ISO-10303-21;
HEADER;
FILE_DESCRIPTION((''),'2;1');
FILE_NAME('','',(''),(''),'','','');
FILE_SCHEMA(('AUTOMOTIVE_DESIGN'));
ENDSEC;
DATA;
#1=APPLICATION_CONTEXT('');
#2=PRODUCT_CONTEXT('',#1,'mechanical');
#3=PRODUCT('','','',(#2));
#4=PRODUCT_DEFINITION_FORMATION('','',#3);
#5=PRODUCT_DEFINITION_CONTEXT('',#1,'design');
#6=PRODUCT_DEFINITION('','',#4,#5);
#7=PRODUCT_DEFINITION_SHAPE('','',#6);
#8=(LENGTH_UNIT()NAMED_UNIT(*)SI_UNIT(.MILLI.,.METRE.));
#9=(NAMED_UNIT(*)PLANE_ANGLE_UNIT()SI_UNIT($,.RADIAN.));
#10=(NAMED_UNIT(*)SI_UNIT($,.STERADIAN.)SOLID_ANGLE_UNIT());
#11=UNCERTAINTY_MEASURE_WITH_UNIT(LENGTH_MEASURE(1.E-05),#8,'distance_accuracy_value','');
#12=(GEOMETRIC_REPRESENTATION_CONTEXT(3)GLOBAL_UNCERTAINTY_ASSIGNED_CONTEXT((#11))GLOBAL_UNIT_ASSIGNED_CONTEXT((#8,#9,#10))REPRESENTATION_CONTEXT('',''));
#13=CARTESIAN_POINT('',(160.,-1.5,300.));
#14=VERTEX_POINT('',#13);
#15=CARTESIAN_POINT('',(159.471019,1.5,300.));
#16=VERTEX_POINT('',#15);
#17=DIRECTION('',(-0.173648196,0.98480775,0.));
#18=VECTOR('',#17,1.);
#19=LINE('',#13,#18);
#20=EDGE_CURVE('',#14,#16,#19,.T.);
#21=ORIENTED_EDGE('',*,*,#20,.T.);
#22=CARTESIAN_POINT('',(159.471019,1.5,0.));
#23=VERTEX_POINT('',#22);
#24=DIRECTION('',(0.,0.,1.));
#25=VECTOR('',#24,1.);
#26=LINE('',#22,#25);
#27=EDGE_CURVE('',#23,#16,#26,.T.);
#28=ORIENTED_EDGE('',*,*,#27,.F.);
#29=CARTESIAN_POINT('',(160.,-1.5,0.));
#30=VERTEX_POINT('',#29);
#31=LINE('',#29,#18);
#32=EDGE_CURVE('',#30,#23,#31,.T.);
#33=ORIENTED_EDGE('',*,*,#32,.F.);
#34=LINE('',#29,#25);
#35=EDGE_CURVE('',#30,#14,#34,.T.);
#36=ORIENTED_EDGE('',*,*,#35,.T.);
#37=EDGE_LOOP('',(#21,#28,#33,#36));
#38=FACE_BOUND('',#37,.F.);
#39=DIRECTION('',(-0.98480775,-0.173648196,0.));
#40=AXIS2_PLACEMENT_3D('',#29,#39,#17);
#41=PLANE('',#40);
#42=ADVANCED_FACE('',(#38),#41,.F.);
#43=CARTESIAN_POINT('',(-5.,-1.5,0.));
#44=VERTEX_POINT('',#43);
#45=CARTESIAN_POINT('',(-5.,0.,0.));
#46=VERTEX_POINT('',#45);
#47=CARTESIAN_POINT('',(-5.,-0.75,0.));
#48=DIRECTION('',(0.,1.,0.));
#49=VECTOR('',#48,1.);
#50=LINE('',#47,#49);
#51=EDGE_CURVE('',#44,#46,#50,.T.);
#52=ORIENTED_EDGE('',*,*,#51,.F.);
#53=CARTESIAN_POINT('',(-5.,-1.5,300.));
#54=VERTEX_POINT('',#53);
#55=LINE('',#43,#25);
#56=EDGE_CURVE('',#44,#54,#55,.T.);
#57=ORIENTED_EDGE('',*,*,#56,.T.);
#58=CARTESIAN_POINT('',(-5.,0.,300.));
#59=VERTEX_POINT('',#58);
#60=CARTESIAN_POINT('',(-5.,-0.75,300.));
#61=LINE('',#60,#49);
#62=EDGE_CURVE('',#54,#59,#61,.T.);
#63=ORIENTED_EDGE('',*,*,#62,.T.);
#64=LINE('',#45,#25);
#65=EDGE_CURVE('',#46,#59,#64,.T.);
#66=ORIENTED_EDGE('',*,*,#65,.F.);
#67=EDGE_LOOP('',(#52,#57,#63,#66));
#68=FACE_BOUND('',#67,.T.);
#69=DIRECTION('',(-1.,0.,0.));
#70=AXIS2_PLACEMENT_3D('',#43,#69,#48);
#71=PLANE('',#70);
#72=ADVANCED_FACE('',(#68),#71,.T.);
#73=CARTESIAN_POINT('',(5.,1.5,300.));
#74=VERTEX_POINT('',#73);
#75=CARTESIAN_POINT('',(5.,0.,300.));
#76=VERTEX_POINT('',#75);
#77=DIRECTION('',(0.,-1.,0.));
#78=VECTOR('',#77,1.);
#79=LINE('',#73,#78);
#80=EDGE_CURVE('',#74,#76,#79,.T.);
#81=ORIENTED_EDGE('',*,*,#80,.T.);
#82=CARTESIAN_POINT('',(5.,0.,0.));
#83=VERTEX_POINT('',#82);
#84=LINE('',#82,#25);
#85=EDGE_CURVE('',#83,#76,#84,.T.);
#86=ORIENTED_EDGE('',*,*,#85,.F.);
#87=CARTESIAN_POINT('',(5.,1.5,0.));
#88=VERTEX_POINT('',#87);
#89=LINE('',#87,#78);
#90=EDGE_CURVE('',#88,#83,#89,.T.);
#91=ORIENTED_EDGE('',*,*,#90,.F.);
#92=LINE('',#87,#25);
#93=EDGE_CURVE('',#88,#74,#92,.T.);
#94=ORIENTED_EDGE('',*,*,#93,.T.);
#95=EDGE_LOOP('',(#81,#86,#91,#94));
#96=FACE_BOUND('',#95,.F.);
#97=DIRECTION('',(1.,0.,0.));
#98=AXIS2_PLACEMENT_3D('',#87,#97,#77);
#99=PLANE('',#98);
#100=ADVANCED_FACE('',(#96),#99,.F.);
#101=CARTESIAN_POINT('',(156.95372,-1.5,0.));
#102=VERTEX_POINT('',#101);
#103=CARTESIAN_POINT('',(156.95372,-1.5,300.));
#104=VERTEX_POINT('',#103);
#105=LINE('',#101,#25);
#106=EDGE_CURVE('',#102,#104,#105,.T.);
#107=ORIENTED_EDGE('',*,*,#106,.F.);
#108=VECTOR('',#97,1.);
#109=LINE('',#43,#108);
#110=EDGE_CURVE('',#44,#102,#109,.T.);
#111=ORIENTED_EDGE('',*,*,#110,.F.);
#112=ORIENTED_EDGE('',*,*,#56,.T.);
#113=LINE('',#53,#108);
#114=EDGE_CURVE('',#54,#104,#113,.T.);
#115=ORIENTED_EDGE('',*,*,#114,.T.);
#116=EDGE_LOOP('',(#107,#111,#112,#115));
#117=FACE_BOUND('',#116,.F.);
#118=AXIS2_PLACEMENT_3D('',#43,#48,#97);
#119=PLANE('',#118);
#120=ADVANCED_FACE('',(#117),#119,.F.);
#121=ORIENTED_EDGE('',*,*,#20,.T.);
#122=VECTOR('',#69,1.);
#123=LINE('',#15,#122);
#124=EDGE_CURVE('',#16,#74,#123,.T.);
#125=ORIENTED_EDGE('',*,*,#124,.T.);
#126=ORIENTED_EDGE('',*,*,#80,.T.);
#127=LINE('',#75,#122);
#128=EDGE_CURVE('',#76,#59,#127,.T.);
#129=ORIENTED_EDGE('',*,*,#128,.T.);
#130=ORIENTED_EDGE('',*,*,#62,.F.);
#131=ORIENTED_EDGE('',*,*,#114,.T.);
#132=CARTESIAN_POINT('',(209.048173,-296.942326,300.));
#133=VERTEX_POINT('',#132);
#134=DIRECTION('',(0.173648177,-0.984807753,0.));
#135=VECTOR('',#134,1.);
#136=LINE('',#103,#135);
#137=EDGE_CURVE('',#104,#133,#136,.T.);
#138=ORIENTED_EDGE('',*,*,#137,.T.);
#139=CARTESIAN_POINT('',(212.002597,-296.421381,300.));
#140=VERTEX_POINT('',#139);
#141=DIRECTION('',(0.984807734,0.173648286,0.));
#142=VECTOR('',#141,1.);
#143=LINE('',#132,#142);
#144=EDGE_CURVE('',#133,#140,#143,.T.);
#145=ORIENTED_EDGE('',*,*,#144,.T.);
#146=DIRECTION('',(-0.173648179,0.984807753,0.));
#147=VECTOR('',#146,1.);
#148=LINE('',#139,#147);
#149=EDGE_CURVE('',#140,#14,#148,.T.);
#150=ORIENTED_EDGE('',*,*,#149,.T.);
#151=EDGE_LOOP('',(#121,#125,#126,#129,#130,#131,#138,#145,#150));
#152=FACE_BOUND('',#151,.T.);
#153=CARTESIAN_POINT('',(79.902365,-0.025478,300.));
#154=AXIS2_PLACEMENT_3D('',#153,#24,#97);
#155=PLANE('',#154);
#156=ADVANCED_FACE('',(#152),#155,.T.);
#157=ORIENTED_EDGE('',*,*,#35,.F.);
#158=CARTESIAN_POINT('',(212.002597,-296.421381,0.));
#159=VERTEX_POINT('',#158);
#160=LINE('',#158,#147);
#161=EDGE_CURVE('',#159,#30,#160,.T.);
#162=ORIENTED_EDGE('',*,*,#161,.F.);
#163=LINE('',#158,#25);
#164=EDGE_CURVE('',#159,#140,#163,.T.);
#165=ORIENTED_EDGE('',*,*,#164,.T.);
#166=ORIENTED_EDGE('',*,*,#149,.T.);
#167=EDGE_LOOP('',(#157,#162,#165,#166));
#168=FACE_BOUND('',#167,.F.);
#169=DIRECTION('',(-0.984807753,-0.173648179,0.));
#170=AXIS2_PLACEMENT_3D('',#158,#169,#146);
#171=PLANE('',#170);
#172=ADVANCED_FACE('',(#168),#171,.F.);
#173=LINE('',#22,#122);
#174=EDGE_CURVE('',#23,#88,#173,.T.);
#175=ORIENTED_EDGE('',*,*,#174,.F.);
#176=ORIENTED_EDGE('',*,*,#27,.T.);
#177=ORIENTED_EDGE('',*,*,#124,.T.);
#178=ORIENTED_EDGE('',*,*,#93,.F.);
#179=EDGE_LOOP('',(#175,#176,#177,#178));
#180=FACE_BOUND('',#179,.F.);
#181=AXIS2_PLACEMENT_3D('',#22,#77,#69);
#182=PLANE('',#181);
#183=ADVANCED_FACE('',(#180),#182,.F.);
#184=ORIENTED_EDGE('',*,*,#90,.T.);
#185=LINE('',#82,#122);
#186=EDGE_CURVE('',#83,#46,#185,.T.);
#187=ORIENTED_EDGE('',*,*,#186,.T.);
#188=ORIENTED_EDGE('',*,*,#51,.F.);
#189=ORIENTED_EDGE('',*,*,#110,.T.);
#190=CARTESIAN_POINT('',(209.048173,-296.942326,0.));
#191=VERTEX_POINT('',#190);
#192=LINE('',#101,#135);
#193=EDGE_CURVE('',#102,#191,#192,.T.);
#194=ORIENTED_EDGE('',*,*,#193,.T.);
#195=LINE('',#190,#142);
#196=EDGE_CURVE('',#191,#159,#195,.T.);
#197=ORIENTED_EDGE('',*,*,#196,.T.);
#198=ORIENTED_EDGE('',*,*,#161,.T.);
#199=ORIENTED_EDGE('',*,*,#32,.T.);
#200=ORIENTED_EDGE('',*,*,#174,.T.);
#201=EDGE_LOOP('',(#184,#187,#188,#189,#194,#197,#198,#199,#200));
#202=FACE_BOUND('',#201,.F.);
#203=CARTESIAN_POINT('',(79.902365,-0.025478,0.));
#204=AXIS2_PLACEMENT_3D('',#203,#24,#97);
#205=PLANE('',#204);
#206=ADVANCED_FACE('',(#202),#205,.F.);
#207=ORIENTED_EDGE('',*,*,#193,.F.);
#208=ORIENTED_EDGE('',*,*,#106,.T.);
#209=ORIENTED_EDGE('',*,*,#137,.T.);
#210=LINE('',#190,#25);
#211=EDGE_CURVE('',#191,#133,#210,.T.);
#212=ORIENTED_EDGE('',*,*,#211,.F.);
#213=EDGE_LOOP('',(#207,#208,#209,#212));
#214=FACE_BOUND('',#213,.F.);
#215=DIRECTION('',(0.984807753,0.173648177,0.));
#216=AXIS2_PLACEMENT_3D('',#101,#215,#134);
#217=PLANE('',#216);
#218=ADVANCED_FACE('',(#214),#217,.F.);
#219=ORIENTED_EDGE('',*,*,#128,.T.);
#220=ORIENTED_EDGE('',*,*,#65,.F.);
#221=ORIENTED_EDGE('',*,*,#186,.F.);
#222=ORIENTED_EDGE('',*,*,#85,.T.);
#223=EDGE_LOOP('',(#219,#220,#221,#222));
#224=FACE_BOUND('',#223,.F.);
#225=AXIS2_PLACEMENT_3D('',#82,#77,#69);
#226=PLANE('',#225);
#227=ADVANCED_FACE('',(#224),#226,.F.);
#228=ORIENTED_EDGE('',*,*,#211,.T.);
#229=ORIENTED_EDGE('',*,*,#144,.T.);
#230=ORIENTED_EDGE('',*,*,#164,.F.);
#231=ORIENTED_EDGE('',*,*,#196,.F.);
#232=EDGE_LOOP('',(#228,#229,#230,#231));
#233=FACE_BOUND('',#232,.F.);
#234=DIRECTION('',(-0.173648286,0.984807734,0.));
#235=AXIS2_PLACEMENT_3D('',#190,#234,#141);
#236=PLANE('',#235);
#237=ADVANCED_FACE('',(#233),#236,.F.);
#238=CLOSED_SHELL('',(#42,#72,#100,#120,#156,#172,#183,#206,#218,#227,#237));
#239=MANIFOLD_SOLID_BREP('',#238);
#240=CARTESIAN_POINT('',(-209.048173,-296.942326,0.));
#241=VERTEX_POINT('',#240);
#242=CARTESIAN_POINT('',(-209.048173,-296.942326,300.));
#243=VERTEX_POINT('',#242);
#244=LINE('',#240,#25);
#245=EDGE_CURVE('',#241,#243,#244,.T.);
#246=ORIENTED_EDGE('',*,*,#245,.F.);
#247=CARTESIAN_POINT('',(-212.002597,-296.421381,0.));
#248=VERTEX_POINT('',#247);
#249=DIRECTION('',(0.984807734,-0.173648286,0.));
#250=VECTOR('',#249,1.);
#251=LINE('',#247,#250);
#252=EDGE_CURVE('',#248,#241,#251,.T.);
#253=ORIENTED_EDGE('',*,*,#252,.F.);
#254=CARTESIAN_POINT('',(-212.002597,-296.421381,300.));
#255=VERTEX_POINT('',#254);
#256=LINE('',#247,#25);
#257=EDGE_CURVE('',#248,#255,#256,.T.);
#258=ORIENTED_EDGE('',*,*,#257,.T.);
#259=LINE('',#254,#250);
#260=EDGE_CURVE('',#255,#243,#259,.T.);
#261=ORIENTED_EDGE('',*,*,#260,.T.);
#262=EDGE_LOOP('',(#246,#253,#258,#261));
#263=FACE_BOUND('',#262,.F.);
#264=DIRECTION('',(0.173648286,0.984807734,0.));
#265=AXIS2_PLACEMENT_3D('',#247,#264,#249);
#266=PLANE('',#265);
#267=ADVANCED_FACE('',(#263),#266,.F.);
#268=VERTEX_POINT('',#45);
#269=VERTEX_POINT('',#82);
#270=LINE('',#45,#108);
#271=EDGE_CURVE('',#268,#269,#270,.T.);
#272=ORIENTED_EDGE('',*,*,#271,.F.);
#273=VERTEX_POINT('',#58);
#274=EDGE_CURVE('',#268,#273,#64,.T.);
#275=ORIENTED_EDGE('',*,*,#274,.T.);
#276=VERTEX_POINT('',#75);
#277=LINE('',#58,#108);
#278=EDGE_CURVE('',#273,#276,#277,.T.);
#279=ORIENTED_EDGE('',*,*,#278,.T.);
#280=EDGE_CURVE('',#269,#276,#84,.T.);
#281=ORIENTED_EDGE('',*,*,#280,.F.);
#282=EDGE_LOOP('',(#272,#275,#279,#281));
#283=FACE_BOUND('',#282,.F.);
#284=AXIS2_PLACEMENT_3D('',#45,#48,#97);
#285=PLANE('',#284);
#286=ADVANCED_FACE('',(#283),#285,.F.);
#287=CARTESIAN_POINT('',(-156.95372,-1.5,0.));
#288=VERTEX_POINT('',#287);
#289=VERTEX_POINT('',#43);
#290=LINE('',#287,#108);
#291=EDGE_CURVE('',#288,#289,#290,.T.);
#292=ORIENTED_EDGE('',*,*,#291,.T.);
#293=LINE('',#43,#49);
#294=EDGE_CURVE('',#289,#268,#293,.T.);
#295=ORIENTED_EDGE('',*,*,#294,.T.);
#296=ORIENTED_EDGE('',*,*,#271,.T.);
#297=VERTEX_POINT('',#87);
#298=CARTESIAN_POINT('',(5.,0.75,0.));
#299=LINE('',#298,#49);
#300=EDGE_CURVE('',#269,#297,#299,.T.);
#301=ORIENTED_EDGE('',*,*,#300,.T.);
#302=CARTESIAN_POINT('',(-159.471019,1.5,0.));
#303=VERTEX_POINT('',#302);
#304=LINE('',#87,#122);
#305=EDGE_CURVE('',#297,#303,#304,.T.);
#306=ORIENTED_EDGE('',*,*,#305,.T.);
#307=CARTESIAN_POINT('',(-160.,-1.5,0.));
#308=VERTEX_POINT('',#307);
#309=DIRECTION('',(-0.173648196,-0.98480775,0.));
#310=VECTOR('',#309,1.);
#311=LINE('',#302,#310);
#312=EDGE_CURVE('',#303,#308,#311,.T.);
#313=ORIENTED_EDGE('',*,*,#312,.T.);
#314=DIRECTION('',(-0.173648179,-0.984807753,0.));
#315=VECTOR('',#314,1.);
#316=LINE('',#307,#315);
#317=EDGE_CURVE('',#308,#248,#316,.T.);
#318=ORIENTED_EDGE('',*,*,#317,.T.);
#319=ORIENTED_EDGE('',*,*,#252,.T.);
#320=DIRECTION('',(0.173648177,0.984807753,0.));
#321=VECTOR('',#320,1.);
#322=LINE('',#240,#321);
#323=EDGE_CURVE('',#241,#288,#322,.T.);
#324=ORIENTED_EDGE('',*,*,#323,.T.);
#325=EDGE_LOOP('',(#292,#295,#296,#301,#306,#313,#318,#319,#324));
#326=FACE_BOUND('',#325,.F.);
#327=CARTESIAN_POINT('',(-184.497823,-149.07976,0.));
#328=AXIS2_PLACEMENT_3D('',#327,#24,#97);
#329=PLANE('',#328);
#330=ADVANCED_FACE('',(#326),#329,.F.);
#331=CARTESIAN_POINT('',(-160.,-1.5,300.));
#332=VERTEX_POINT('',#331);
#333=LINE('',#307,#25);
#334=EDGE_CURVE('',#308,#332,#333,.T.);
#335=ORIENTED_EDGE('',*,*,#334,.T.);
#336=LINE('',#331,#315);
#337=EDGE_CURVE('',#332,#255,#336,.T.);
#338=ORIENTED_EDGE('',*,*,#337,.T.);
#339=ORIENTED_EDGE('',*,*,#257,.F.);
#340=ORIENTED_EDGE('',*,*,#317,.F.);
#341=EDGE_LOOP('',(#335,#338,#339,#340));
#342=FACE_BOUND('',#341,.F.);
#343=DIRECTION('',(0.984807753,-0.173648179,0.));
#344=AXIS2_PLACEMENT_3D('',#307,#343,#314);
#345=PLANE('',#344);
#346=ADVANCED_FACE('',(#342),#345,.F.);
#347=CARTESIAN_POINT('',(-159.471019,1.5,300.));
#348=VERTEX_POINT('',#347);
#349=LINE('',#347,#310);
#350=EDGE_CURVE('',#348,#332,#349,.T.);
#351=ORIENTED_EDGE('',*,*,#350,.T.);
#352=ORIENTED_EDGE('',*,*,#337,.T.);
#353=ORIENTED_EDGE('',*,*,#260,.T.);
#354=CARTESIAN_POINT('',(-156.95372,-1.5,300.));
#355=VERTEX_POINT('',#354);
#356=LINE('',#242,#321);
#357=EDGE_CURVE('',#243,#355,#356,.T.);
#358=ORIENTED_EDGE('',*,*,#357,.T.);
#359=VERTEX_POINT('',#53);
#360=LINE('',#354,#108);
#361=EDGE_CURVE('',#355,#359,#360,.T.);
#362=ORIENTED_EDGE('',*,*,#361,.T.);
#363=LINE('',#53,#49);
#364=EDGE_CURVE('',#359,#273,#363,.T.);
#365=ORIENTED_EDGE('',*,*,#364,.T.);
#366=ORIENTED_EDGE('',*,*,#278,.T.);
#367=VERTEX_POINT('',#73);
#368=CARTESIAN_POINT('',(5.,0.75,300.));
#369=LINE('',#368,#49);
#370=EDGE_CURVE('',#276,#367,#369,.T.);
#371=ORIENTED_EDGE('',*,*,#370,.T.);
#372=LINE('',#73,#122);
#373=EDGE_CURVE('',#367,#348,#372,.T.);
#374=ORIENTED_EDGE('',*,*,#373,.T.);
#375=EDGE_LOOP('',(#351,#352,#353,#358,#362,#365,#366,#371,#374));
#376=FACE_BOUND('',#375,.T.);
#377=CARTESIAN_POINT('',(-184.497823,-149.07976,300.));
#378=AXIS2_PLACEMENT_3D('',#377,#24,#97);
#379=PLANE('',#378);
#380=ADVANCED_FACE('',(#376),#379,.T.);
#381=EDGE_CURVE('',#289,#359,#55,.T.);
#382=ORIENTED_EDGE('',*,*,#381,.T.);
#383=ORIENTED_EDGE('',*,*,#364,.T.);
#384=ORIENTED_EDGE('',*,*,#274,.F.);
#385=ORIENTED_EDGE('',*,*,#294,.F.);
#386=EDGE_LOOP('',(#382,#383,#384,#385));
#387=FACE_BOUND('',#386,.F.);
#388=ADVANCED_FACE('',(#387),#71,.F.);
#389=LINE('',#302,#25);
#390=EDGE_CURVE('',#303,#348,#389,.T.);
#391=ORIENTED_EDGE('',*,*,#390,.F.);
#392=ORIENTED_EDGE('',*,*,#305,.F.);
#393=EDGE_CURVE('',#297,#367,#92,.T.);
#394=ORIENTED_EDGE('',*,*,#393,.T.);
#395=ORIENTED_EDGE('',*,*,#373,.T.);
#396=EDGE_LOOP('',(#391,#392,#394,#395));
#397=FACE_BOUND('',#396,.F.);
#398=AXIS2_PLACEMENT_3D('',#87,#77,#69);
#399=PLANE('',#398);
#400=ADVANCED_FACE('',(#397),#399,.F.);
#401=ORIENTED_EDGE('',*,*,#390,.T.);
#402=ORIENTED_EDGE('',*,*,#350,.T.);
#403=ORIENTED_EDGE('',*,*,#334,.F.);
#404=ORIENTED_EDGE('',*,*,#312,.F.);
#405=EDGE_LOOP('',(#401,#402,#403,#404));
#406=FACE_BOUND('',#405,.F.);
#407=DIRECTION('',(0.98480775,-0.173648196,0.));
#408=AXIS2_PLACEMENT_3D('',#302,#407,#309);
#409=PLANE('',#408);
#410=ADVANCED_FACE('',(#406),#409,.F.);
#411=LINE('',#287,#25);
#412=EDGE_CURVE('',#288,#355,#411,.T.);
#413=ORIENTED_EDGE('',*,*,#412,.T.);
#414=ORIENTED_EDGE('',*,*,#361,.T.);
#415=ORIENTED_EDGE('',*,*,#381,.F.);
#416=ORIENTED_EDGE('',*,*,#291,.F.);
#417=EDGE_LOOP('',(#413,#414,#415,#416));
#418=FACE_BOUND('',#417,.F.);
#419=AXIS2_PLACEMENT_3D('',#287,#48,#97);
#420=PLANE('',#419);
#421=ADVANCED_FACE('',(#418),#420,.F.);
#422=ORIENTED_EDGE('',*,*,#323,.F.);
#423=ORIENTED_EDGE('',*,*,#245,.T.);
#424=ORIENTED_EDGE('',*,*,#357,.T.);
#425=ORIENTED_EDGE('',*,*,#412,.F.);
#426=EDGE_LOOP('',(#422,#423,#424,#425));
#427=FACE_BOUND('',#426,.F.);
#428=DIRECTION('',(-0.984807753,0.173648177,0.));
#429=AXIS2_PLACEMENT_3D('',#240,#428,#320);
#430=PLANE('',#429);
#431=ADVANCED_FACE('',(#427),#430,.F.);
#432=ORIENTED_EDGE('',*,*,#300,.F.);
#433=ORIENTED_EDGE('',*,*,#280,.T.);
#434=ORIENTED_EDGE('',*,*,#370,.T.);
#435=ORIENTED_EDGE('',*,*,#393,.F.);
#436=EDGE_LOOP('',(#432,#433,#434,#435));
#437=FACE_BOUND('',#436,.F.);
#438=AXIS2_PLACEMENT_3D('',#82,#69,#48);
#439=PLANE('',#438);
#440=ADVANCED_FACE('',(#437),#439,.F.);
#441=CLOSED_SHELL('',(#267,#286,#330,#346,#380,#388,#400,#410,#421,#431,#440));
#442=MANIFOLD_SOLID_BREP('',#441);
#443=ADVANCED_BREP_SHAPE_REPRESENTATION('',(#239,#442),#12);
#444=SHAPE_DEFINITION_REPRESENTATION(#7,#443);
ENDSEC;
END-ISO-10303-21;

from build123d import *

# Parameters (mm, degrees)
F0_W     = 5
F0_H     = 1.5
F1_DEPTH = 300
F2_DEPTH = 300


with BuildPart() as f1:
    # F0 (on Top) → F1 (new body)
    with BuildSketch(Plane.XY):
        Polygon((-156.95372, -1.5), (-160, -1.5), (-212.002597, -296.421381), (-209.048173, -296.942326), align=None)
        Polygon((0, 1.5), (-159.471019, 1.5), (-160, -1.5), (-156.95372, -1.5), (-5, -1.5), (-5, 0), (0, 0), align=None)
        with Locations((2.5, 0.75)):
            Rectangle(F0_W, F0_H)
    extrude(amount=F1_DEPTH)


with BuildPart() as f2:
    # F0 (on Top) → F2 (new body)
    with BuildSketch(Plane.XY):
        Polygon((159.471019, 1.5), (5, 1.5), (5, 0), (0, 0), (0, -1.5), (156.95372, -1.5), (160, -1.5), align=None)
        with Locations((-2.5, -0.75)):
            Rectangle(F0_W, F0_H)
        Polygon((212.002597, -296.421381), (160, -1.5), (156.95372, -1.5), (209.048173, -296.942326), align=None)
    extrude(amount=F2_DEPTH)


solid = Compound([f1.part, f2.part])
